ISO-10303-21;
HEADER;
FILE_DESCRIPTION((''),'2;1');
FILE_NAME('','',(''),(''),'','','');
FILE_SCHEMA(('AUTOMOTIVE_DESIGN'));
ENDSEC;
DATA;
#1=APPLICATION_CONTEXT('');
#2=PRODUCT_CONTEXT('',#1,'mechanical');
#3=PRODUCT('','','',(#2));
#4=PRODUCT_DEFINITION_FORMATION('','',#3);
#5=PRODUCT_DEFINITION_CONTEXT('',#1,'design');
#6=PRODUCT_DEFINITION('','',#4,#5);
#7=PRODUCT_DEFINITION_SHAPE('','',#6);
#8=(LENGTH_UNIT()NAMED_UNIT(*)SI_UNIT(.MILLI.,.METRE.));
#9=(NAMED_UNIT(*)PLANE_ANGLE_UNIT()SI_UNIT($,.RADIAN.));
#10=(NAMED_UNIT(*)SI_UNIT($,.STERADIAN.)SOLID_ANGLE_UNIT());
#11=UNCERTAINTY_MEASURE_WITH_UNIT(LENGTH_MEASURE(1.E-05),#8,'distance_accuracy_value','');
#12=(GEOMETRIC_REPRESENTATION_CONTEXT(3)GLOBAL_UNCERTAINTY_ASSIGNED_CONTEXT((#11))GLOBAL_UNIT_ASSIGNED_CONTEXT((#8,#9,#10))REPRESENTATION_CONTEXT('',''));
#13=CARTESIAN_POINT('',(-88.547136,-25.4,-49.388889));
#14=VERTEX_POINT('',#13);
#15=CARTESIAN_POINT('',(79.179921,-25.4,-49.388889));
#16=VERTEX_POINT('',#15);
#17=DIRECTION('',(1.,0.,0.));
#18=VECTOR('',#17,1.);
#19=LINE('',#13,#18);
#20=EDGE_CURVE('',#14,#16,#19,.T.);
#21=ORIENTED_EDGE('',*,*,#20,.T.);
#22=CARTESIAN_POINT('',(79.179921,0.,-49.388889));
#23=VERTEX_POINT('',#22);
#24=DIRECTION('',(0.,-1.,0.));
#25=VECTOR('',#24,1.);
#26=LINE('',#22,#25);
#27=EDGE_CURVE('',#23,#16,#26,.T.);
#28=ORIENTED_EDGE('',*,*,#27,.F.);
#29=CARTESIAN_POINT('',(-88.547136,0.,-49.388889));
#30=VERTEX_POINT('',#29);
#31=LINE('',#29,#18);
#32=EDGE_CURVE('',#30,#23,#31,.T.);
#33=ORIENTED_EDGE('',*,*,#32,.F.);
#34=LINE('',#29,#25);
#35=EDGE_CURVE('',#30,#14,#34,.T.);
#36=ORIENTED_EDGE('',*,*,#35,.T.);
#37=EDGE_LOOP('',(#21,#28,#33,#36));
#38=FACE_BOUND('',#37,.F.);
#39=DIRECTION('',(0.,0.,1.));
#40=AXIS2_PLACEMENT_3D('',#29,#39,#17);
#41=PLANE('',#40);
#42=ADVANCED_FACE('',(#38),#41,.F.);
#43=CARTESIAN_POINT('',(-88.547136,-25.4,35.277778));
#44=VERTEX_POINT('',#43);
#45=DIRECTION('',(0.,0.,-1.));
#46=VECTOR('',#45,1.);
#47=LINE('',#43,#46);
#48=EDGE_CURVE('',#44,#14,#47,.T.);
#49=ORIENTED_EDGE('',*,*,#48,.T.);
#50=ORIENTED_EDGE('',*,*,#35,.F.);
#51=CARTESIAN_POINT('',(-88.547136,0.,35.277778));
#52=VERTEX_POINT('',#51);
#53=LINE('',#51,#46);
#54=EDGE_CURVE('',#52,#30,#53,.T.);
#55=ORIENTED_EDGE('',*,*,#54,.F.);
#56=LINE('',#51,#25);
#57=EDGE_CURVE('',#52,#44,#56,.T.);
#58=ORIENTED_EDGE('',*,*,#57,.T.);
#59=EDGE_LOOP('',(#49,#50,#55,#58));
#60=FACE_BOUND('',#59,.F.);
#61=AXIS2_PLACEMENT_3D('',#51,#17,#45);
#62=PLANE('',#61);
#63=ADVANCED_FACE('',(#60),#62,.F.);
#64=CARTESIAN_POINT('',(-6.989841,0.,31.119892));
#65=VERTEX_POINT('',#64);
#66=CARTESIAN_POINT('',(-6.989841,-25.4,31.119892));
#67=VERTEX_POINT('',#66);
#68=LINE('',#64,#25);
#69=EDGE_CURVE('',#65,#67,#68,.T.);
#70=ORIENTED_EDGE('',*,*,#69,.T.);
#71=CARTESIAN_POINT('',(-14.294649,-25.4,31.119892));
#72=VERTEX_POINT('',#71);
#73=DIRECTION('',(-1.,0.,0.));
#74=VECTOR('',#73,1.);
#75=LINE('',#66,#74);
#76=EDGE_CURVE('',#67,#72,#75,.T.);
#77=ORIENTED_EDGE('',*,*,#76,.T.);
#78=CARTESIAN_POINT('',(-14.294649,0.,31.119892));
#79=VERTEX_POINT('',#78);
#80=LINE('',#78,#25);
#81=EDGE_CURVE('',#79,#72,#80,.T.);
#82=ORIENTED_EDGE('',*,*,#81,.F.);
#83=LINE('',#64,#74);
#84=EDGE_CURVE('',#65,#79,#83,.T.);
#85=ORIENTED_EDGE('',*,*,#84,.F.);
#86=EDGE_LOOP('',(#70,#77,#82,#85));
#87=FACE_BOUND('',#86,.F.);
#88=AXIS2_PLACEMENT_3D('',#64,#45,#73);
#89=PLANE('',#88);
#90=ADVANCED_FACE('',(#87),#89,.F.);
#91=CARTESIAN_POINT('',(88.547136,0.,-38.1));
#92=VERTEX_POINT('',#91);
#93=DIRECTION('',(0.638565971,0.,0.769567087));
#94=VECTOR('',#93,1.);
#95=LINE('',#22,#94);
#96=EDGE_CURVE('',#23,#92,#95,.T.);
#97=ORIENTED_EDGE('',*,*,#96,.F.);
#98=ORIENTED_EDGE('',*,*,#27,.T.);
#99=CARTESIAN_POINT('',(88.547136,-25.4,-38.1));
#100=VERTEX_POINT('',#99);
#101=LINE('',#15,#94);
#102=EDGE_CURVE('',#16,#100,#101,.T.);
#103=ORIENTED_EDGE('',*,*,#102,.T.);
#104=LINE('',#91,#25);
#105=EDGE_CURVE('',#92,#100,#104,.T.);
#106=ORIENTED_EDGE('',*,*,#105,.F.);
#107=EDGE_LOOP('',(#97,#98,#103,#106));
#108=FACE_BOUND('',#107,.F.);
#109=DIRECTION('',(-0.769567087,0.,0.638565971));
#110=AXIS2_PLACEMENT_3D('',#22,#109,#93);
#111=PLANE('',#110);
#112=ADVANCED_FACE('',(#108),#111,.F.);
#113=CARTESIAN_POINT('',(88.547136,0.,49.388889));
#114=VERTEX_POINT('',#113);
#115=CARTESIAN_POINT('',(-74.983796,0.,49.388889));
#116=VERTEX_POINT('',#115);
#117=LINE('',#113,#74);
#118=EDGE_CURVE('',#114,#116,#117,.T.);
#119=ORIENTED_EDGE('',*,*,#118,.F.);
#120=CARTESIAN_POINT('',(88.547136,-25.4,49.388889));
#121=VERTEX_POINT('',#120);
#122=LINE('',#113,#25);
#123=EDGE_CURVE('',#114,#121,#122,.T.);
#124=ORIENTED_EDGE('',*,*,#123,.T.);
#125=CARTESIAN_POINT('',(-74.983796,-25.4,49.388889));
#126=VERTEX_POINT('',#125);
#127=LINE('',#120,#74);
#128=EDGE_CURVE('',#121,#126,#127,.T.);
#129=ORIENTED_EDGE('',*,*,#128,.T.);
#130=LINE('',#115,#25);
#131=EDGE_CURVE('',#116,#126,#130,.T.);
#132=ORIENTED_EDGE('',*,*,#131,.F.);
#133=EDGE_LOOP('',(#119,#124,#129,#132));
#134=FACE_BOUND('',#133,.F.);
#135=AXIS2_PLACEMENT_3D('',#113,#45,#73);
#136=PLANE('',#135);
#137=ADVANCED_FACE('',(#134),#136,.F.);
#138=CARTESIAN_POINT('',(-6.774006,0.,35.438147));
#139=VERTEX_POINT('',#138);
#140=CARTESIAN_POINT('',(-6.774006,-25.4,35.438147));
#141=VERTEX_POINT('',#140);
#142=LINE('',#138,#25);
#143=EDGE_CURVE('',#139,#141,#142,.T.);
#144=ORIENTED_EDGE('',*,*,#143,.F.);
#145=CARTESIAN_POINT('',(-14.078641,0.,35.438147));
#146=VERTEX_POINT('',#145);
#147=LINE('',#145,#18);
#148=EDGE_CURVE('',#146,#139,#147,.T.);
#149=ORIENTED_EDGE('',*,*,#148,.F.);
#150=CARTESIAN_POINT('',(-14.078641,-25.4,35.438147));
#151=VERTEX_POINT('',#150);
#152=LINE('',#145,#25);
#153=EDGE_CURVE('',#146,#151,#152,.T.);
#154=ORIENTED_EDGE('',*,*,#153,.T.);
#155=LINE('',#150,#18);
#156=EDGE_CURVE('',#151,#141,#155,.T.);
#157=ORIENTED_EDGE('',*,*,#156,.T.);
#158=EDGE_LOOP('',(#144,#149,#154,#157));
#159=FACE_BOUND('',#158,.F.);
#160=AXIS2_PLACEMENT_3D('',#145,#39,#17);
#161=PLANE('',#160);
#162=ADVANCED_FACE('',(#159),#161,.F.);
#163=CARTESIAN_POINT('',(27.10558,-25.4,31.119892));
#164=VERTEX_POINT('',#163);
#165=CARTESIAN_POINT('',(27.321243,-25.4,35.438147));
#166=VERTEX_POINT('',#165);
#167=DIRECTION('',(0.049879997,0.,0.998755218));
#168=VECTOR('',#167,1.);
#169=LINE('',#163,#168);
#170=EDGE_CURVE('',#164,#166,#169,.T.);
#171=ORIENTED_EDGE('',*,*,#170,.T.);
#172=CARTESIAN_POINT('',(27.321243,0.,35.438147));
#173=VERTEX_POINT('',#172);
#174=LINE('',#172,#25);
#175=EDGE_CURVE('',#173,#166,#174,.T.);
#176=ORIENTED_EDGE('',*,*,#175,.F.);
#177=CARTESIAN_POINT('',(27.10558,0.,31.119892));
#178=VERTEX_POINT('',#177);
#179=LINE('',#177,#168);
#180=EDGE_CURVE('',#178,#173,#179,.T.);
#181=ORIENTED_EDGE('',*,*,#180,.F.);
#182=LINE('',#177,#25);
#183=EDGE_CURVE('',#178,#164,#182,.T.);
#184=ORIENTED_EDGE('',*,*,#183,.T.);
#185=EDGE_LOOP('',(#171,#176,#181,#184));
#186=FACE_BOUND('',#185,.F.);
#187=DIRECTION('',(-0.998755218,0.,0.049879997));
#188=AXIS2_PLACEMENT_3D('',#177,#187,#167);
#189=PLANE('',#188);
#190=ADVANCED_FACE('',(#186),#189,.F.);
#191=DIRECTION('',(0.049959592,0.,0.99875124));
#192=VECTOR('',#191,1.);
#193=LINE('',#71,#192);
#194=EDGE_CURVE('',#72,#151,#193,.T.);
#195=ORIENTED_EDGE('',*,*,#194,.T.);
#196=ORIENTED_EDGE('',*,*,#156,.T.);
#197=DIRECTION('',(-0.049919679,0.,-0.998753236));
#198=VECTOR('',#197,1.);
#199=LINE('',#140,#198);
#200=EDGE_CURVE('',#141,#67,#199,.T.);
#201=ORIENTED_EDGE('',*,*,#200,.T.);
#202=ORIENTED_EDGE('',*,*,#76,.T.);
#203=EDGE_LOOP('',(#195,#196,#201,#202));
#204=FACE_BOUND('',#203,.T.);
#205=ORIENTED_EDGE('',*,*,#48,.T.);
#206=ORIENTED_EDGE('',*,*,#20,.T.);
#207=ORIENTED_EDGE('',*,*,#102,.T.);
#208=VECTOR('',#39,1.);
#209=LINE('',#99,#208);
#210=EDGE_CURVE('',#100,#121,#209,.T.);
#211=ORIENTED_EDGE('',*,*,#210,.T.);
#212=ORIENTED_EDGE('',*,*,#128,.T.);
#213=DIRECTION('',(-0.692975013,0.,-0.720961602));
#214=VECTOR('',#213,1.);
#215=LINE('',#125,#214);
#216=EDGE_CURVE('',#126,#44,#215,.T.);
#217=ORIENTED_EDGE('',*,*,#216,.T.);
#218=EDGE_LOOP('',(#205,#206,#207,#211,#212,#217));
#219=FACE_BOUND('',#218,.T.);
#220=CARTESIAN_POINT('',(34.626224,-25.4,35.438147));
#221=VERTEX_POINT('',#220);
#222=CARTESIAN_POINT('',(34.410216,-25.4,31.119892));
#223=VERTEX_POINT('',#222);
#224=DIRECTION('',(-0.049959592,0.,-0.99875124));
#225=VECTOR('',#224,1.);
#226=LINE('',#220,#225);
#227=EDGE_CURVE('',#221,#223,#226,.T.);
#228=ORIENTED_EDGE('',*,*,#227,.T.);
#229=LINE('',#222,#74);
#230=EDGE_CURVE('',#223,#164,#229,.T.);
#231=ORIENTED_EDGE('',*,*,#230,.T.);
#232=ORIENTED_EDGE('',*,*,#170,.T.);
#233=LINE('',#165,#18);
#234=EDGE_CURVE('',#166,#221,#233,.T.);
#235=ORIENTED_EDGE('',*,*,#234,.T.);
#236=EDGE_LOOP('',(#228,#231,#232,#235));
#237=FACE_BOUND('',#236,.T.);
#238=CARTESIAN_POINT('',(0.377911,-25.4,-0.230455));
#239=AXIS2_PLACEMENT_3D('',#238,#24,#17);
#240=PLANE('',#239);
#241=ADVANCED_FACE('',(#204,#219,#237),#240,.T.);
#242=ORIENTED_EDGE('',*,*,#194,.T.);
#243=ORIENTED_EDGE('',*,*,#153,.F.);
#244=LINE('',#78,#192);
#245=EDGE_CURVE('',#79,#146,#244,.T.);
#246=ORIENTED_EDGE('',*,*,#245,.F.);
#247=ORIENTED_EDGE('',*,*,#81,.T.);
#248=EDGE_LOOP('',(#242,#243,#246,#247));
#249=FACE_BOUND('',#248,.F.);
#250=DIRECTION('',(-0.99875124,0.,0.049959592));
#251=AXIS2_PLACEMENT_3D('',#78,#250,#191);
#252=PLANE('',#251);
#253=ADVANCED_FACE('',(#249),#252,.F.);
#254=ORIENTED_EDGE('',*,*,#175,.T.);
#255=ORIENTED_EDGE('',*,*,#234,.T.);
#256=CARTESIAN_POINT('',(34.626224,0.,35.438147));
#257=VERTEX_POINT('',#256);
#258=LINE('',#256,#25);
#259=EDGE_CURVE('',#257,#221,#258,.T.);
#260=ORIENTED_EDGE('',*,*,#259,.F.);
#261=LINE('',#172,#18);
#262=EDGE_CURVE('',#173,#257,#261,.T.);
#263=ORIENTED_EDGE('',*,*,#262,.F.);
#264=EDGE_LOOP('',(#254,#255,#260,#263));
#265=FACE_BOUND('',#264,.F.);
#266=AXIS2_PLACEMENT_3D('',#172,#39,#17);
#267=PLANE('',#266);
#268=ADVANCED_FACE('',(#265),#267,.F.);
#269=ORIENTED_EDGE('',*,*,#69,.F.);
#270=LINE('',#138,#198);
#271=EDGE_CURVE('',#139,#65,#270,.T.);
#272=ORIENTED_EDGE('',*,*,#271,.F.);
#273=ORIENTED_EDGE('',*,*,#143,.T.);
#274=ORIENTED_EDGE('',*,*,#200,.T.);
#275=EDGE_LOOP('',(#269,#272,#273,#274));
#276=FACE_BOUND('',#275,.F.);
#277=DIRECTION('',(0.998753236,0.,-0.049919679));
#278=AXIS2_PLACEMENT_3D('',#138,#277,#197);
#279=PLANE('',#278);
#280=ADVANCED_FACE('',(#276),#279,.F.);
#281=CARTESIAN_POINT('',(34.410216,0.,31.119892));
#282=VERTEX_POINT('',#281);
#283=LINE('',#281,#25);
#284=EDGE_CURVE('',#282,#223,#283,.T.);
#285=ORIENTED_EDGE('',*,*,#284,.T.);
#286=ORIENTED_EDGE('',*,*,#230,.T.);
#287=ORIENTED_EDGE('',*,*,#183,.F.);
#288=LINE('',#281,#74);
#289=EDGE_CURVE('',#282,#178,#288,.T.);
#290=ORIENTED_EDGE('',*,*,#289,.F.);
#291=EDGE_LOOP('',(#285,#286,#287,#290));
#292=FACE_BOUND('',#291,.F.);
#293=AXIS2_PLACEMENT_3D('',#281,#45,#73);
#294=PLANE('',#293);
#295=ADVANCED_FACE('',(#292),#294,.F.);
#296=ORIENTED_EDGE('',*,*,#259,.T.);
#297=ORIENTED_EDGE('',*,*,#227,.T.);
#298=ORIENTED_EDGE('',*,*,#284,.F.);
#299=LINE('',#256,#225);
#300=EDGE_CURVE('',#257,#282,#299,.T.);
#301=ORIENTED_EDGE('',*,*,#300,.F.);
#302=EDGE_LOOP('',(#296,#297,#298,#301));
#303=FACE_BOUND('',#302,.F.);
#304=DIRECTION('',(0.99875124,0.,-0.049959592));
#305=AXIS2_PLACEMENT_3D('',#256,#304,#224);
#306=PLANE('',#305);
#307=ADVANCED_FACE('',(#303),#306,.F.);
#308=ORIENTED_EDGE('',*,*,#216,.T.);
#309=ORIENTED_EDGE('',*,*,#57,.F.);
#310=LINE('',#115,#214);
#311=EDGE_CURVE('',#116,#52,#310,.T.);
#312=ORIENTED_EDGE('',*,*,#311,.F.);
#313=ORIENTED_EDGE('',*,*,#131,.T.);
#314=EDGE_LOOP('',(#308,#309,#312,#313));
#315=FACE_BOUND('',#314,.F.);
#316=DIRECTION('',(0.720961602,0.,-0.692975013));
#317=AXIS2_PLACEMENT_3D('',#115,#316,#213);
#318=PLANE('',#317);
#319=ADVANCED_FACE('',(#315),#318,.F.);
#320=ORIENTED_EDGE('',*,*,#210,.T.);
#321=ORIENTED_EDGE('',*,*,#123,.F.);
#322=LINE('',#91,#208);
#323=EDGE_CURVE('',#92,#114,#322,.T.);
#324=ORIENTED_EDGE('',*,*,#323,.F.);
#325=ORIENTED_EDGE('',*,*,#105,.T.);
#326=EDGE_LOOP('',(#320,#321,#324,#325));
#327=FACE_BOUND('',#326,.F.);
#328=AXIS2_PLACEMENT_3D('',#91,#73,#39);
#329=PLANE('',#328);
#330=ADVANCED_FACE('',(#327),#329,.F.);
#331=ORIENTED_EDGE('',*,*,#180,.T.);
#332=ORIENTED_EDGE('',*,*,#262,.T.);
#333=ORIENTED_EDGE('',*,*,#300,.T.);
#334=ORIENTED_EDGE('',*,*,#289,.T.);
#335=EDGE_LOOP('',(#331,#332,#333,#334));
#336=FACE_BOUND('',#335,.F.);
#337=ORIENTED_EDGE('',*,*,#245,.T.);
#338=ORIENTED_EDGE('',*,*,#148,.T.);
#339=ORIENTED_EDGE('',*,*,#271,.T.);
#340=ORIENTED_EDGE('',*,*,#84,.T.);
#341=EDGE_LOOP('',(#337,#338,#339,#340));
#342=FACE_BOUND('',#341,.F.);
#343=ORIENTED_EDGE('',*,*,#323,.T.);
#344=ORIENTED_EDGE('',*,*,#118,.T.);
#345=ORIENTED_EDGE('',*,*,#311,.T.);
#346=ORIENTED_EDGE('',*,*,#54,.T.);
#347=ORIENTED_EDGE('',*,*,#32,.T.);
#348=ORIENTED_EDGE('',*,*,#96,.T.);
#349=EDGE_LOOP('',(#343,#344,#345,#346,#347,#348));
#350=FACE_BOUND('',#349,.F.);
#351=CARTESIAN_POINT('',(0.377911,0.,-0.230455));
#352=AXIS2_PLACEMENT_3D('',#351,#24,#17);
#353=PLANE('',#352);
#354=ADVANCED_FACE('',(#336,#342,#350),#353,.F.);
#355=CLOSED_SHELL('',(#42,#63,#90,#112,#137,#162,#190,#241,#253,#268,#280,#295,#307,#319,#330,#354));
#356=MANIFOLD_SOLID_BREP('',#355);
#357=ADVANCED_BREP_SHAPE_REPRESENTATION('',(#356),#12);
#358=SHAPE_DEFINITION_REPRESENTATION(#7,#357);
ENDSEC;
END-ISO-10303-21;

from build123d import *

# Parameters (mm, degrees)
F1_DEPTH = 25.4


with BuildPart() as f1:
    # F0 (on Front) → F1 (new body)
    with BuildSketch(Plane.XZ):
        Polygon((88.547136, 49.388889), (-74.983796, 49.388889), (-88.547136, 35.277778), (-88.547136, -49.388889), (79.179921, -49.388889), (88.547136, -38.1), align=None)
        Polygon((-14.294649, 31.119892), (-14.078641, 35.438147), (-6.774006, 35.438147), (-6.989841, 31.119892), align=None, mode=Mode.SUBTRACT)
        Polygon((27.10558, 31.119892), (27.321243, 35.438147), (34.626224, 35.438147), (34.410216, 31.119892), align=None, mode=Mode.SUBTRACT)
    extrude(amount=F1_DEPTH)


solid = f1.part
